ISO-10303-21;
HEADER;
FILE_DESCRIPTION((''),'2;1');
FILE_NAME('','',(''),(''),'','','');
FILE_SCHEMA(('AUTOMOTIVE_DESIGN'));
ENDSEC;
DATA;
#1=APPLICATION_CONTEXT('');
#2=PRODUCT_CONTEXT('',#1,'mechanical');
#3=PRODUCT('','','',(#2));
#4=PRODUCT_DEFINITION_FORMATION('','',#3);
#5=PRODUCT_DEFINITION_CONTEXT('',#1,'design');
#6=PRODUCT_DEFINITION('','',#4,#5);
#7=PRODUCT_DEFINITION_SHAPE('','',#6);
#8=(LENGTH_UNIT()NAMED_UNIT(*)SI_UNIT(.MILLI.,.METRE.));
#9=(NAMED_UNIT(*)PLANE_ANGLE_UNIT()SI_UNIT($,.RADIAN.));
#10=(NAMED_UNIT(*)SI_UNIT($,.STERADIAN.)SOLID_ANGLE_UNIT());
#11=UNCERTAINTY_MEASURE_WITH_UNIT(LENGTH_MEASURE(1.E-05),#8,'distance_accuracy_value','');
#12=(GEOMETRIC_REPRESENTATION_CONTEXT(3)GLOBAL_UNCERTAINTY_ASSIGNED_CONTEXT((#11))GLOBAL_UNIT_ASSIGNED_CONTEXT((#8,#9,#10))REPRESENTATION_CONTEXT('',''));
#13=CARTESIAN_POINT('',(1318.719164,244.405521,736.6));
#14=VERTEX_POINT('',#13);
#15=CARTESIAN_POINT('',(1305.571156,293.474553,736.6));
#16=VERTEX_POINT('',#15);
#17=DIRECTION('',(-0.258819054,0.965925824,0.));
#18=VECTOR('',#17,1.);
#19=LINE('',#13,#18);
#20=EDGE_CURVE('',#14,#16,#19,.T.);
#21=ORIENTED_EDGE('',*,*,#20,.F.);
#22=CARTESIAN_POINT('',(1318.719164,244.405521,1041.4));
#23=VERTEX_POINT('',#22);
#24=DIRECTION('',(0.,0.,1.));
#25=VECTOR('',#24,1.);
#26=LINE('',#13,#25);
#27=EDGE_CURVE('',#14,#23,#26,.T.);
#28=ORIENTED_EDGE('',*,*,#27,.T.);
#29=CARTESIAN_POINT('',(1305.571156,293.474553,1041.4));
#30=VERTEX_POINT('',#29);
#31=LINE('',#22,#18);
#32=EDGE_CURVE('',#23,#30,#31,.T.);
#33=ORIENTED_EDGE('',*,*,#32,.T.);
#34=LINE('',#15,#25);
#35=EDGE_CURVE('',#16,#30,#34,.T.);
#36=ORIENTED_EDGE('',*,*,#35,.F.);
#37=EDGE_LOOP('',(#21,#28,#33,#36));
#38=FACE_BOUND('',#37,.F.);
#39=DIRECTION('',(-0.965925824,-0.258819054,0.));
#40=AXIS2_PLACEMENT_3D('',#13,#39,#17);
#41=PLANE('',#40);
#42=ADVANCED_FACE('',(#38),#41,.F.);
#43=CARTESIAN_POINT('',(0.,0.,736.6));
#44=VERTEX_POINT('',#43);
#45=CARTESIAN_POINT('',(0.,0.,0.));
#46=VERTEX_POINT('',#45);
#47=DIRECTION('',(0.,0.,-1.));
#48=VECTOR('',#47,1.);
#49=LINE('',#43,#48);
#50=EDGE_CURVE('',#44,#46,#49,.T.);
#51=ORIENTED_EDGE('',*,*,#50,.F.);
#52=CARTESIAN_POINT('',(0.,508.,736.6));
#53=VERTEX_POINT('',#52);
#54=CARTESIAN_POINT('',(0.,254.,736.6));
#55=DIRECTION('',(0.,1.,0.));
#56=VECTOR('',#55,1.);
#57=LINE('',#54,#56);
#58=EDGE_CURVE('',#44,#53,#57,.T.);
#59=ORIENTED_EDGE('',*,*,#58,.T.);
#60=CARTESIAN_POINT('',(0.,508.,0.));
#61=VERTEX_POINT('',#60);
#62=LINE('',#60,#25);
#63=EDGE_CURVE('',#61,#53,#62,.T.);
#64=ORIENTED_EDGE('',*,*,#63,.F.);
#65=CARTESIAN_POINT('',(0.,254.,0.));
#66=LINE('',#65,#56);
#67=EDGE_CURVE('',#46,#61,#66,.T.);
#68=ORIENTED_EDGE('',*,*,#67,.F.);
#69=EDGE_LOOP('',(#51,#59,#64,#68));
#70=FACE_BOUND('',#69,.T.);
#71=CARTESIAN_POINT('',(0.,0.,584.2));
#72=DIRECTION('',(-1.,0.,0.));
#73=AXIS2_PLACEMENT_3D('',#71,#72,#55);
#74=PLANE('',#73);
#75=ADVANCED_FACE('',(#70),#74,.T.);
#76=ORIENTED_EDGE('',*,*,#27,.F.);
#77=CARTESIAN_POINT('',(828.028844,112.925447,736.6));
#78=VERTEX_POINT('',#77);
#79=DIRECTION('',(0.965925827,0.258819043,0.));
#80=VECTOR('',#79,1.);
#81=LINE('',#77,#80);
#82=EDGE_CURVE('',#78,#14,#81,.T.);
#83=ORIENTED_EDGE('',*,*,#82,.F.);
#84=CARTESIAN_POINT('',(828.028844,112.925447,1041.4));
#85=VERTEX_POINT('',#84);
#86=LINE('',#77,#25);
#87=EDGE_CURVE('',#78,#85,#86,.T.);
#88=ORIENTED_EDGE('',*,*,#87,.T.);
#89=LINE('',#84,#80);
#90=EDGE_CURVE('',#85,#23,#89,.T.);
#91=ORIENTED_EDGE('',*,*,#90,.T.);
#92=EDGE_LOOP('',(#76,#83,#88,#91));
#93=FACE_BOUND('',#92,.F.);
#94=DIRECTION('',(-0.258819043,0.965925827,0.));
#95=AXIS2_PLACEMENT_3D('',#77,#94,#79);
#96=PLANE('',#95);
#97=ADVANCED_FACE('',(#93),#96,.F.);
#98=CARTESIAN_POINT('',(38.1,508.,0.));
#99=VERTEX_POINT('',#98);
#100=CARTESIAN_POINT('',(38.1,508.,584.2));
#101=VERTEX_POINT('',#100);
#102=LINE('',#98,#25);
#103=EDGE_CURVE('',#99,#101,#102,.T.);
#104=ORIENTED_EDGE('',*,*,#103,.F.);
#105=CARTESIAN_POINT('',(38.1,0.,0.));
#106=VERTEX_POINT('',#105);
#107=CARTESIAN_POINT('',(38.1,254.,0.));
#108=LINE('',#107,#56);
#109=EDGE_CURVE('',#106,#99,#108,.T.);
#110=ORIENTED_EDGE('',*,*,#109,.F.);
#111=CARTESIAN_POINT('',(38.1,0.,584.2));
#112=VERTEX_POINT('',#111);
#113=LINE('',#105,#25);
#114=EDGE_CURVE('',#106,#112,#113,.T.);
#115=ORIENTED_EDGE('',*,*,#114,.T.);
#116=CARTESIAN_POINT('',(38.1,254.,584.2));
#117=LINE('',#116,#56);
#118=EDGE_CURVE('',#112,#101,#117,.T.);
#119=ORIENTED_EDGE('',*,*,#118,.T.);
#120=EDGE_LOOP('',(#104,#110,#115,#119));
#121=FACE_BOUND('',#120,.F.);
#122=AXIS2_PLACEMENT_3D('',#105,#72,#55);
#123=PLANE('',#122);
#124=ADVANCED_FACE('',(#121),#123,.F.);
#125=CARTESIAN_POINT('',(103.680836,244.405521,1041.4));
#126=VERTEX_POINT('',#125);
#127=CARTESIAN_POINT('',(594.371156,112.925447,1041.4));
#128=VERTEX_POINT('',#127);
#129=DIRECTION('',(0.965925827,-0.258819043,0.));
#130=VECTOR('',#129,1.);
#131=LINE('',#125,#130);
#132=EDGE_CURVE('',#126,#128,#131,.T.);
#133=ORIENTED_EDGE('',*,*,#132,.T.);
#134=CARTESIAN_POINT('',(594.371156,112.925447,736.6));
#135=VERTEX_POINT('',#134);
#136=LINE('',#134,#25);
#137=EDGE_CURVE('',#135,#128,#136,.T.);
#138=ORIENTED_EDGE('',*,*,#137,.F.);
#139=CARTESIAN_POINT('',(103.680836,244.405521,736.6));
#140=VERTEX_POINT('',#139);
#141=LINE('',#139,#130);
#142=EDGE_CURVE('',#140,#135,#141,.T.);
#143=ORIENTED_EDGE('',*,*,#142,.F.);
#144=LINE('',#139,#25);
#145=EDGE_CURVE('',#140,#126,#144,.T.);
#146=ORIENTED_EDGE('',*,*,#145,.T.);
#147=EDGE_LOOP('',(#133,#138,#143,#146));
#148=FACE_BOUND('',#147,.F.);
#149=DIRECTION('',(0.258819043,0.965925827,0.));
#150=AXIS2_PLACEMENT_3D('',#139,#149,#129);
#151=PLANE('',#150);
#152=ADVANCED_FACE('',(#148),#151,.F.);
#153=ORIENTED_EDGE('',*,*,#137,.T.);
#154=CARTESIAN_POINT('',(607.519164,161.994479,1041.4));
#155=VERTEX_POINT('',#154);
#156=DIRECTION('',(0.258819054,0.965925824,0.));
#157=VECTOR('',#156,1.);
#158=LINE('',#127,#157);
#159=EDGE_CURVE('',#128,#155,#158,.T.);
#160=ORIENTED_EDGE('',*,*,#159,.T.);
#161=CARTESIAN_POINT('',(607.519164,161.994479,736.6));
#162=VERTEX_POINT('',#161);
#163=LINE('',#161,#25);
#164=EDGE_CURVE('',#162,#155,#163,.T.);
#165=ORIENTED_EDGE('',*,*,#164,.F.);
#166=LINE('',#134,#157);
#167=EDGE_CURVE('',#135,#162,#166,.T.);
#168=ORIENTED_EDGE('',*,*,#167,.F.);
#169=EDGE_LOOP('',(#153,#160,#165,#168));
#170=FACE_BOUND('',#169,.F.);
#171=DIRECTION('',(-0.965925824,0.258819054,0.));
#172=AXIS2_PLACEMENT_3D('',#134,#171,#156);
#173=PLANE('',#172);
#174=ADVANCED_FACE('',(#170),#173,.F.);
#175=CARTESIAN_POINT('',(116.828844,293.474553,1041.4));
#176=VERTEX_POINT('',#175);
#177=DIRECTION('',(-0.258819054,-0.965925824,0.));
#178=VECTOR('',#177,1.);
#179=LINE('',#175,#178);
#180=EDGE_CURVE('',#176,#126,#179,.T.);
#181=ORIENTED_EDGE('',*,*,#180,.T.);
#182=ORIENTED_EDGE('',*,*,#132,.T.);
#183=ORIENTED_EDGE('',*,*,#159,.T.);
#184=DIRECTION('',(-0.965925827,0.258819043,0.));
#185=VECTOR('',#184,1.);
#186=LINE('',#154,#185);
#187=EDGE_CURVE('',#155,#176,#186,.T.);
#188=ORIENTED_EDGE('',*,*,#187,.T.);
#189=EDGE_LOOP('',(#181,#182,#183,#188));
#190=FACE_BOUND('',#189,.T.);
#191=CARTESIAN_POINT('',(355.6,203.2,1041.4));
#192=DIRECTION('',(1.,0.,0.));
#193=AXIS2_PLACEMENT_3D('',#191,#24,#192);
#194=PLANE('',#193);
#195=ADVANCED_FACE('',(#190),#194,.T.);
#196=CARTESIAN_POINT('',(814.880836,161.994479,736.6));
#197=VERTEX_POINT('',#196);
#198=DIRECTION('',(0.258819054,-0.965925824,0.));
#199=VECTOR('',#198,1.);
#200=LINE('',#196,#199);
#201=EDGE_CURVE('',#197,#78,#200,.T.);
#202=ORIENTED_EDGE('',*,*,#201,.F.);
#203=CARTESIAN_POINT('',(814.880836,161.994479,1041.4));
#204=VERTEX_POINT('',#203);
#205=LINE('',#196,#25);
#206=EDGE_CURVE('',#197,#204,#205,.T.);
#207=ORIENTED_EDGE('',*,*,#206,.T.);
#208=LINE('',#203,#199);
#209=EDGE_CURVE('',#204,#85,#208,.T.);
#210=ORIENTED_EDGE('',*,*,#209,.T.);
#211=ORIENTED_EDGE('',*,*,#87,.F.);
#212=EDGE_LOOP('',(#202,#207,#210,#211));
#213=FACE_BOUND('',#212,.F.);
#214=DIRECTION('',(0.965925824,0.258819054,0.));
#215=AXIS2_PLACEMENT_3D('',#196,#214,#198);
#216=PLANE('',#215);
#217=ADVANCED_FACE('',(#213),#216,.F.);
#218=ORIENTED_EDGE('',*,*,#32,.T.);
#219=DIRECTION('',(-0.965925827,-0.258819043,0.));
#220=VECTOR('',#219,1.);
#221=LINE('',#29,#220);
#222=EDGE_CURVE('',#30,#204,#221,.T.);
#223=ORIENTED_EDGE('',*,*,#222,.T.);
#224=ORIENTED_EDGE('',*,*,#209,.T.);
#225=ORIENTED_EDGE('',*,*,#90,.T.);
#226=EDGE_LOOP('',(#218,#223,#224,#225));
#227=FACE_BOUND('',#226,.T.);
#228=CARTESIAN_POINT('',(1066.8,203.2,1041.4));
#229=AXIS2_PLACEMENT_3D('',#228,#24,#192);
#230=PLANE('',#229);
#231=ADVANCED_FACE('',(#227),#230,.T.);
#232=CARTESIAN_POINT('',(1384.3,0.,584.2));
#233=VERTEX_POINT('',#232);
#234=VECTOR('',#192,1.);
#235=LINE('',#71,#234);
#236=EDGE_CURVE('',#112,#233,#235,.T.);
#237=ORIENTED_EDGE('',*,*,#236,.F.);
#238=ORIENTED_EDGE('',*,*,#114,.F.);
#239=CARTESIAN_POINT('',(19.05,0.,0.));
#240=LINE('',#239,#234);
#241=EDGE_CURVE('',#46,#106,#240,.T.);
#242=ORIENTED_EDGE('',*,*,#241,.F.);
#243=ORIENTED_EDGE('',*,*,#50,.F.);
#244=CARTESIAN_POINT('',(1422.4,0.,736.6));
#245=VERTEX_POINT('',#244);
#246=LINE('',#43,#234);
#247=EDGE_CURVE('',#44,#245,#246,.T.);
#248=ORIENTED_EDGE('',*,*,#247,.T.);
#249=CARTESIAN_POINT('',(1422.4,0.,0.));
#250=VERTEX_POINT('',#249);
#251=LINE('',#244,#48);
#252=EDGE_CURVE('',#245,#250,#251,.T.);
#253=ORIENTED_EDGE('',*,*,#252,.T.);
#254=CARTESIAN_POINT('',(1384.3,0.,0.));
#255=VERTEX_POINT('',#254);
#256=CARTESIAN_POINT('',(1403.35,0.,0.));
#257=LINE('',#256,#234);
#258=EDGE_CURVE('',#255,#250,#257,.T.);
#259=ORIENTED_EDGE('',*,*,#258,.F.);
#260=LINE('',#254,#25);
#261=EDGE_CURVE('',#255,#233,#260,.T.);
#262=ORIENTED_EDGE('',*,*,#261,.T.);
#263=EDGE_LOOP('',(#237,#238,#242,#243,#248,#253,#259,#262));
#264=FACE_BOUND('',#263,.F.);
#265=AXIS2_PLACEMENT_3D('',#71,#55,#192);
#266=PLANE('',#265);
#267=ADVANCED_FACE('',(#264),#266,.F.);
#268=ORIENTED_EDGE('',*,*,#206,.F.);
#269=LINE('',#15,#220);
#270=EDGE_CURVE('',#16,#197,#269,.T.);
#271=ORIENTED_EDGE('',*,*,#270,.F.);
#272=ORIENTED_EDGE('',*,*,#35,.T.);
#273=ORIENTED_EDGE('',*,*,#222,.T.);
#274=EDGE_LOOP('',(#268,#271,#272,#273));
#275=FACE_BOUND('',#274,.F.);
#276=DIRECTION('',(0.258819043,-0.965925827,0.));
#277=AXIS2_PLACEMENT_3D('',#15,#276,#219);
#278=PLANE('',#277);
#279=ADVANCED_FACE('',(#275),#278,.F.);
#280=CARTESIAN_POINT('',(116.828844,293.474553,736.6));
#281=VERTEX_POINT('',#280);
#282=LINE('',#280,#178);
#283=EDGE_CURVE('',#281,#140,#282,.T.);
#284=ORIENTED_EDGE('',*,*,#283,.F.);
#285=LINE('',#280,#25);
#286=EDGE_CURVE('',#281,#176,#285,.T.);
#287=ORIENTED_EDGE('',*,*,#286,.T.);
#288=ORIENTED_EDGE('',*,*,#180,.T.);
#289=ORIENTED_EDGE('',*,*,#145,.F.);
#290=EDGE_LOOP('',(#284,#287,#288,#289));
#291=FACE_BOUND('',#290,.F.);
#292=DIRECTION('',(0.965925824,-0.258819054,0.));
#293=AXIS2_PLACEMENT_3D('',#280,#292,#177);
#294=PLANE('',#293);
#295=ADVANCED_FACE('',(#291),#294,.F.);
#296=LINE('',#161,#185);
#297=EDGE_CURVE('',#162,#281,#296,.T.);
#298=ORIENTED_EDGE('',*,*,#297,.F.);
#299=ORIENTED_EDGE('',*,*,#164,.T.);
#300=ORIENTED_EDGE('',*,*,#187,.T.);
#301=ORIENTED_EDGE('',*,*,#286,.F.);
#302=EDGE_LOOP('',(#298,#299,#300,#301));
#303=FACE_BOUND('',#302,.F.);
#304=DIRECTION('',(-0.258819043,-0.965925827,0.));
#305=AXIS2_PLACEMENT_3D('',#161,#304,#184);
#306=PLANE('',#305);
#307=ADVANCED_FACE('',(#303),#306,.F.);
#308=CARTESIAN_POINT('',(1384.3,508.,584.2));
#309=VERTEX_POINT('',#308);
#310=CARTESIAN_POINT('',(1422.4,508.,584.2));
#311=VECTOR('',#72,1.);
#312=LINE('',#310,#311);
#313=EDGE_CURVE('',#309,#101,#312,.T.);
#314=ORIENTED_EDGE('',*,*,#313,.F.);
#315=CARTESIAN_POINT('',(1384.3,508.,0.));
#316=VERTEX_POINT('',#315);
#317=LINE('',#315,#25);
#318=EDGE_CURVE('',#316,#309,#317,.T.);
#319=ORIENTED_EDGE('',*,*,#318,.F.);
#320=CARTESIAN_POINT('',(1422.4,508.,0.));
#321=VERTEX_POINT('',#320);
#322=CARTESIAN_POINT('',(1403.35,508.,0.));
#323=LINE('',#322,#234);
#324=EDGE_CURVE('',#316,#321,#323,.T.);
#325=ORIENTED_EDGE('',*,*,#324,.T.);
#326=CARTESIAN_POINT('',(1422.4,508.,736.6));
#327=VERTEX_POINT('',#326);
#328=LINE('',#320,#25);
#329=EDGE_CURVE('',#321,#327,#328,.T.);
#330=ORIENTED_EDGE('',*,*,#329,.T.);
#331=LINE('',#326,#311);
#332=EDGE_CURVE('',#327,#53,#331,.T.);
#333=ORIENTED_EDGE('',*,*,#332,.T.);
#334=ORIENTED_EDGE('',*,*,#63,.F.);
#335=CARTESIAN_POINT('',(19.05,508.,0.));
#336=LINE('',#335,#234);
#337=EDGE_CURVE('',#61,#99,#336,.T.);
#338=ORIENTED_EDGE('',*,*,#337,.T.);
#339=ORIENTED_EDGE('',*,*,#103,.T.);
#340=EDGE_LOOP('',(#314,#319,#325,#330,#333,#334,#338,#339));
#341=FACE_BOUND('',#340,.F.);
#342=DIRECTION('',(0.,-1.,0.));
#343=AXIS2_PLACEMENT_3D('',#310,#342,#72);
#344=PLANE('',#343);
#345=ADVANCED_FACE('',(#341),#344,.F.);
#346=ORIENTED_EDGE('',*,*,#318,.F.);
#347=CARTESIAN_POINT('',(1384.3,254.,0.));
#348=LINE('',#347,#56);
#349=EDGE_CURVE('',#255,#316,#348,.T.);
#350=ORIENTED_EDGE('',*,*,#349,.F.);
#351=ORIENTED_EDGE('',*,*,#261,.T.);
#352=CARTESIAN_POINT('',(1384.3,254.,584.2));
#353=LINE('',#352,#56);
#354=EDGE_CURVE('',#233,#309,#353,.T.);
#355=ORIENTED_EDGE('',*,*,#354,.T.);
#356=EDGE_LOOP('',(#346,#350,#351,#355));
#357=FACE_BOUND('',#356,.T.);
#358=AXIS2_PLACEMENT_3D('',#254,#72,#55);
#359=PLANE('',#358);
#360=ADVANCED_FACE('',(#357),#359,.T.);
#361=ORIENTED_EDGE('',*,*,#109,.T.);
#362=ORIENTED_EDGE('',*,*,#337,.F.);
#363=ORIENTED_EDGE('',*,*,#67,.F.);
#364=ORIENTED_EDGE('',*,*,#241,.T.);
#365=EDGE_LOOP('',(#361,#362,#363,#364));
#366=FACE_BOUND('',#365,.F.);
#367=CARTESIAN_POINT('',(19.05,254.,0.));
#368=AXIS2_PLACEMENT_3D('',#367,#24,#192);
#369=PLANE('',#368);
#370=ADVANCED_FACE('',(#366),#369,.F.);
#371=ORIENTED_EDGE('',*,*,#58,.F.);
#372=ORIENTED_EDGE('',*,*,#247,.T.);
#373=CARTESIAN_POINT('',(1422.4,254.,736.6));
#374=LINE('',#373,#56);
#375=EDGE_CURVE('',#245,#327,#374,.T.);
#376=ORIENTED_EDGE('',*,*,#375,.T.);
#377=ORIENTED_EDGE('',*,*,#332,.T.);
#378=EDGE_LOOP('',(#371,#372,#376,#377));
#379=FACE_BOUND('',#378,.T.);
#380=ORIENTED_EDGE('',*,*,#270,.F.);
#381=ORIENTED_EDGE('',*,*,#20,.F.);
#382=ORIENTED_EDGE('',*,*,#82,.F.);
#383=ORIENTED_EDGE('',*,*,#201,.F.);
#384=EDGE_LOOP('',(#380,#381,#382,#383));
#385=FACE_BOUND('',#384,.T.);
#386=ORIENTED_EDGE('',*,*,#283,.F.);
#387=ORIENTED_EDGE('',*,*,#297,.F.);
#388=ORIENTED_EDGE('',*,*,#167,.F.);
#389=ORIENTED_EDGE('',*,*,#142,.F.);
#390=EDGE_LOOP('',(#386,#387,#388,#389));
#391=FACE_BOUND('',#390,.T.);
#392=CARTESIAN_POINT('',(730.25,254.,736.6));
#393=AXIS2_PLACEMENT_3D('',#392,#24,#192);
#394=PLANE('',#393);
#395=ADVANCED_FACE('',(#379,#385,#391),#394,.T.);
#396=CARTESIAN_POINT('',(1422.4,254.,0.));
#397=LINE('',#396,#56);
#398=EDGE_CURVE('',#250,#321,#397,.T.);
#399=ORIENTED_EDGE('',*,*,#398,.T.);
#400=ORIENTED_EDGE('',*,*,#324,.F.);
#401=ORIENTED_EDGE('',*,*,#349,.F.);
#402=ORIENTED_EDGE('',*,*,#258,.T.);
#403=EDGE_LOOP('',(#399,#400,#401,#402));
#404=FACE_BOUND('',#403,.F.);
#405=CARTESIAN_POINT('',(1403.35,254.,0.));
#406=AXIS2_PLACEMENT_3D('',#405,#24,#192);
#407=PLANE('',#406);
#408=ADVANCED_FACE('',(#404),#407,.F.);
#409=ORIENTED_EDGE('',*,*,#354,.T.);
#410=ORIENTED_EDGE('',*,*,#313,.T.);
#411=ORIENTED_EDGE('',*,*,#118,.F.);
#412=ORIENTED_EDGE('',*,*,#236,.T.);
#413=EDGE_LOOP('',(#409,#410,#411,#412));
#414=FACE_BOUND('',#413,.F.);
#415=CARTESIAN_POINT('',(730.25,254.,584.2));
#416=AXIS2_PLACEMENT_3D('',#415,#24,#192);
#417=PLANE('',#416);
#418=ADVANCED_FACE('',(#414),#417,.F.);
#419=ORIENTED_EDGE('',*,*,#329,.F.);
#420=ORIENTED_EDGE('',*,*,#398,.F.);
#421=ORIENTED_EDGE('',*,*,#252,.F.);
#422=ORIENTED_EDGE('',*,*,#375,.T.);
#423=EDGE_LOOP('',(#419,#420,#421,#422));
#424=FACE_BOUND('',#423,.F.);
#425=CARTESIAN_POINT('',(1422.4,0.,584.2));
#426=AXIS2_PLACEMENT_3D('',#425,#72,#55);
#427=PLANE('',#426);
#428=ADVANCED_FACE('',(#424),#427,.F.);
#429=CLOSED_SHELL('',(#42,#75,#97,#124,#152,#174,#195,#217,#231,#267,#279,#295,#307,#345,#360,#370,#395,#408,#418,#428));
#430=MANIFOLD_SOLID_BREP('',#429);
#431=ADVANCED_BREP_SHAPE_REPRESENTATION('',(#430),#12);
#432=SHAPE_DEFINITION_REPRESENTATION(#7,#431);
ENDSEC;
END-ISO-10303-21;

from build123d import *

# Parameters (mm, degrees)
F0_W     = 38.1
F0_H     = 508
F1_DEPTH = 584.2
F2_W     = 1384.3
F2_H     = 508
F2_W_2   = 38.1
F3_DEPTH = 152.4
F5_DEPTH = 304.8


with BuildPart() as f1:
    # F0 (on Top) → F1 (new body)
    with BuildSketch(Plane.XY):
        with Locations((19.05, 254)):
            Rectangle(F0_W, F0_H)
        with Locations((1403.35, 254)):
            Rectangle(F0_W, F0_H)
    extrude(amount=F1_DEPTH)

    # F2 (on face) → F3 (join)
    with BuildSketch(Plane.XY.offset(584.2)):
        with Locations((730.25, 254)):
            Rectangle(F2_W, F2_H)
        with Locations((19.05, 254)):
            Rectangle(F2_W_2, F2_H)
    extrude(amount=F3_DEPTH)

    # F4 (on face) → F5 (join)
    with BuildSketch(Plane.XY.offset(736.6)):
        Polygon((594.371156, 112.925447), (607.519164, 161.994479), (116.828844, 293.474553), (103.680836, 244.405521), align=None)
        Polygon((1318.719164, 244.405521), (1305.571156, 293.474553), (814.880836, 161.994479), (828.028844, 112.925447), align=None)
    extrude(amount=F5_DEPTH)


solid = f1.part
